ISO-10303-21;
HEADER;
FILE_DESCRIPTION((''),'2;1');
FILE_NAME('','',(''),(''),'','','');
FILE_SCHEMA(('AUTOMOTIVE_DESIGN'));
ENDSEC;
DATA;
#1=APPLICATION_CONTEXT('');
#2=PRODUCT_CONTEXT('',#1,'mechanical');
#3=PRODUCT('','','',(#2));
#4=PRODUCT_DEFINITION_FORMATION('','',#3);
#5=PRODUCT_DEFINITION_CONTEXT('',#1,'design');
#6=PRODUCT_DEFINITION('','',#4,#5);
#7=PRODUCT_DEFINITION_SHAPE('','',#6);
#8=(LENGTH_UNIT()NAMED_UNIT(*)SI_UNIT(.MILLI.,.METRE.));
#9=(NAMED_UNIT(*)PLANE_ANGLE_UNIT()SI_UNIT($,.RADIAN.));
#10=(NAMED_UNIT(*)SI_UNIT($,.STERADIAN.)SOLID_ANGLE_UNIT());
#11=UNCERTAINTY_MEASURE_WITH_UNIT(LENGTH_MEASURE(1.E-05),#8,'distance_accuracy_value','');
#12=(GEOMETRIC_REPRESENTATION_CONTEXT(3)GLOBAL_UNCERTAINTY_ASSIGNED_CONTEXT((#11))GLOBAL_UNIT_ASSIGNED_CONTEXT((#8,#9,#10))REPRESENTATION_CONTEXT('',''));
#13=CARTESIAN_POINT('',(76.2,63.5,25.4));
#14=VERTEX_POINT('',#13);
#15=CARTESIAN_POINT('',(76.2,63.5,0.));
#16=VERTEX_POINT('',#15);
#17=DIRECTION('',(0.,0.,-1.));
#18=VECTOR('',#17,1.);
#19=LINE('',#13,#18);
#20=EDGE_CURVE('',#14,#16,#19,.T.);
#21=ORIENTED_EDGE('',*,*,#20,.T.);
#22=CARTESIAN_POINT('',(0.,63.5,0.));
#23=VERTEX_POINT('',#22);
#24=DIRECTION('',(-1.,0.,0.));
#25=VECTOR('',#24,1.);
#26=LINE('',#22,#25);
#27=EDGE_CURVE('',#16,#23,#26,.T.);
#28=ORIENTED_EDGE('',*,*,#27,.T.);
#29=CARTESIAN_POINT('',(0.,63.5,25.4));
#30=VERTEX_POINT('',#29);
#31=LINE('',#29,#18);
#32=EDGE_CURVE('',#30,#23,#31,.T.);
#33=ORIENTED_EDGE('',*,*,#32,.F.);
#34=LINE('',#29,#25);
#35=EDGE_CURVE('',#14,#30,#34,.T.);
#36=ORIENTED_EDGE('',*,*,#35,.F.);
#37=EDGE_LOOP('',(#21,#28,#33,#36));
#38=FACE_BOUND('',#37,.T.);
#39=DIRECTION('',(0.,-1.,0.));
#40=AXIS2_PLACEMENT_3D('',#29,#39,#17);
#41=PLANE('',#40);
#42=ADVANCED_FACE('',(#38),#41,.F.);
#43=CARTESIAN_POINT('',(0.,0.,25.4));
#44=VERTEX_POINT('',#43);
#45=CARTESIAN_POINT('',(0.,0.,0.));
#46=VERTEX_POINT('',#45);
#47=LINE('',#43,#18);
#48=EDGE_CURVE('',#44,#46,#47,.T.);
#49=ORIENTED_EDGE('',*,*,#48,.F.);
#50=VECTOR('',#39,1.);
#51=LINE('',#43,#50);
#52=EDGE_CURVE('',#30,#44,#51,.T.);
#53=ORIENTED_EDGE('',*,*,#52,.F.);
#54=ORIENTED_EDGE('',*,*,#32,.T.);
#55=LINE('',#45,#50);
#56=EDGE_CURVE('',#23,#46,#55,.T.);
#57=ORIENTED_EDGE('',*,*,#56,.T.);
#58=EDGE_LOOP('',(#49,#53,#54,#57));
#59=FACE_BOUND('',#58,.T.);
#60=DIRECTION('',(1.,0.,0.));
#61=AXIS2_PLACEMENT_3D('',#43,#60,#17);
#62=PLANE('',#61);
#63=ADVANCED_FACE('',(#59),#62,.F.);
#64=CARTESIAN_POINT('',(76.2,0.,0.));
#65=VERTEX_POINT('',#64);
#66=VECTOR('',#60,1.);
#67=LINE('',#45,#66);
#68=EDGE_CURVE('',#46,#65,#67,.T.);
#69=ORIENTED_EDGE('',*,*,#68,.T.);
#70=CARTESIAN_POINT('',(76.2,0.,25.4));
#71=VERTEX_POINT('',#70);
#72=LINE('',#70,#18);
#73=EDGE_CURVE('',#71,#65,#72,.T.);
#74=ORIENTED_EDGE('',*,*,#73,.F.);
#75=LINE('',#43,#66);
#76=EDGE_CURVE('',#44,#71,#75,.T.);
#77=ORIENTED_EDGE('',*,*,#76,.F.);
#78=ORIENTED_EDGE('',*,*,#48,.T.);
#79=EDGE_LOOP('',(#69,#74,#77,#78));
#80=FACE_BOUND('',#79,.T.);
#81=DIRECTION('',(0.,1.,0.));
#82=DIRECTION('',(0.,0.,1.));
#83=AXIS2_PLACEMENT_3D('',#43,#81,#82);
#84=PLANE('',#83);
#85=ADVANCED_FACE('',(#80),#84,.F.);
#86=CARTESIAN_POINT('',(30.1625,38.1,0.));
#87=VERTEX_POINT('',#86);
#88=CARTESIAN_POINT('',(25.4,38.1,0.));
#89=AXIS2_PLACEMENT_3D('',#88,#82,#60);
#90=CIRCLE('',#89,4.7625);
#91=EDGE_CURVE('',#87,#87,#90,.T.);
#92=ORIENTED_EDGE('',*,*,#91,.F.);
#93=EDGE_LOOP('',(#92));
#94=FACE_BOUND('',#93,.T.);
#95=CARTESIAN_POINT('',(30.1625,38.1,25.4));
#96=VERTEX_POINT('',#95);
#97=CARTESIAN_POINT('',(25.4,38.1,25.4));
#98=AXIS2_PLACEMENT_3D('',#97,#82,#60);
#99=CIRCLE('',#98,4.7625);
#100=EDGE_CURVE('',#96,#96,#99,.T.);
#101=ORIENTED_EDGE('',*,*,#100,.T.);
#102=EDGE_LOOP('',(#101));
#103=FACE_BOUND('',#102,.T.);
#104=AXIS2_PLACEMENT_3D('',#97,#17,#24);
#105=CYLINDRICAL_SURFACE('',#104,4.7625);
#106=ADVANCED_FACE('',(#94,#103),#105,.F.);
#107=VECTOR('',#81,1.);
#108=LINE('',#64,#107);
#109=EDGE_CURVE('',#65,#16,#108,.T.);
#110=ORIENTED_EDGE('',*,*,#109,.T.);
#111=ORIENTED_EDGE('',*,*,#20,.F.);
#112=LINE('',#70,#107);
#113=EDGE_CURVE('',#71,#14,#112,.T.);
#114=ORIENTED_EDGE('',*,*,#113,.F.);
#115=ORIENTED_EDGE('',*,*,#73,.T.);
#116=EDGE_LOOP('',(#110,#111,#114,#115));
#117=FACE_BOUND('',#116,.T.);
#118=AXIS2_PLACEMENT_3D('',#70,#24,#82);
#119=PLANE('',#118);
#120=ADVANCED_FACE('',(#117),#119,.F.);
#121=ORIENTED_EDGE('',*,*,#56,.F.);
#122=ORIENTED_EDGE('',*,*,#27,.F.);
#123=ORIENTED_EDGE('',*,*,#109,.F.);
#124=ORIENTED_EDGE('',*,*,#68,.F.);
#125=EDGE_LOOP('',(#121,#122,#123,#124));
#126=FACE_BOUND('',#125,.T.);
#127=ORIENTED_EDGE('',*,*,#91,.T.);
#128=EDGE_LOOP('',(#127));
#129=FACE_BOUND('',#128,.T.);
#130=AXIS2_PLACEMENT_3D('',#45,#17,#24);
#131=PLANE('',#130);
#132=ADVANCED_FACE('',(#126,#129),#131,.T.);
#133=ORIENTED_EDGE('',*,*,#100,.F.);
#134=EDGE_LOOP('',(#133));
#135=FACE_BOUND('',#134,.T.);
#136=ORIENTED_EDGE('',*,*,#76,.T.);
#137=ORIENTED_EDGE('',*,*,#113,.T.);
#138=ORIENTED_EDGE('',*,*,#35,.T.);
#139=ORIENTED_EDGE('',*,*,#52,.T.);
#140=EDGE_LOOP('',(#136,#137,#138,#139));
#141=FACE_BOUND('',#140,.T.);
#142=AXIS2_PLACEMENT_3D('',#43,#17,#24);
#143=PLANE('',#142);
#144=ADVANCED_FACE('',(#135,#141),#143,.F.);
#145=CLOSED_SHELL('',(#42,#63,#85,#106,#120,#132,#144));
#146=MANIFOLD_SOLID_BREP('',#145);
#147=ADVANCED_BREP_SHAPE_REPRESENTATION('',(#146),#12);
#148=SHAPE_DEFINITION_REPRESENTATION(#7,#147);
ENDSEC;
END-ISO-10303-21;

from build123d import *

# Parameters (mm, degrees)
SKETCH1_W           = 76.2
SKETCH1_H           = 63.5
SKETCH1_R           = 4.7625
BOSS_EXTRUDE1_DEPTH = 25.4


with BuildPart() as part:
    # Sketch1 → Boss-Extrude1 (new body)
    with BuildSketch(Plane.XY):
        with Locations((38.1, 31.75)):
            Rectangle(SKETCH1_W, SKETCH1_H)
        with Locations((25.4, 38.1)):
            Circle(SKETCH1_R, mode=Mode.SUBTRACT)
    extrude(amount=BOSS_EXTRUDE1_DEPTH)


solid = part.part
